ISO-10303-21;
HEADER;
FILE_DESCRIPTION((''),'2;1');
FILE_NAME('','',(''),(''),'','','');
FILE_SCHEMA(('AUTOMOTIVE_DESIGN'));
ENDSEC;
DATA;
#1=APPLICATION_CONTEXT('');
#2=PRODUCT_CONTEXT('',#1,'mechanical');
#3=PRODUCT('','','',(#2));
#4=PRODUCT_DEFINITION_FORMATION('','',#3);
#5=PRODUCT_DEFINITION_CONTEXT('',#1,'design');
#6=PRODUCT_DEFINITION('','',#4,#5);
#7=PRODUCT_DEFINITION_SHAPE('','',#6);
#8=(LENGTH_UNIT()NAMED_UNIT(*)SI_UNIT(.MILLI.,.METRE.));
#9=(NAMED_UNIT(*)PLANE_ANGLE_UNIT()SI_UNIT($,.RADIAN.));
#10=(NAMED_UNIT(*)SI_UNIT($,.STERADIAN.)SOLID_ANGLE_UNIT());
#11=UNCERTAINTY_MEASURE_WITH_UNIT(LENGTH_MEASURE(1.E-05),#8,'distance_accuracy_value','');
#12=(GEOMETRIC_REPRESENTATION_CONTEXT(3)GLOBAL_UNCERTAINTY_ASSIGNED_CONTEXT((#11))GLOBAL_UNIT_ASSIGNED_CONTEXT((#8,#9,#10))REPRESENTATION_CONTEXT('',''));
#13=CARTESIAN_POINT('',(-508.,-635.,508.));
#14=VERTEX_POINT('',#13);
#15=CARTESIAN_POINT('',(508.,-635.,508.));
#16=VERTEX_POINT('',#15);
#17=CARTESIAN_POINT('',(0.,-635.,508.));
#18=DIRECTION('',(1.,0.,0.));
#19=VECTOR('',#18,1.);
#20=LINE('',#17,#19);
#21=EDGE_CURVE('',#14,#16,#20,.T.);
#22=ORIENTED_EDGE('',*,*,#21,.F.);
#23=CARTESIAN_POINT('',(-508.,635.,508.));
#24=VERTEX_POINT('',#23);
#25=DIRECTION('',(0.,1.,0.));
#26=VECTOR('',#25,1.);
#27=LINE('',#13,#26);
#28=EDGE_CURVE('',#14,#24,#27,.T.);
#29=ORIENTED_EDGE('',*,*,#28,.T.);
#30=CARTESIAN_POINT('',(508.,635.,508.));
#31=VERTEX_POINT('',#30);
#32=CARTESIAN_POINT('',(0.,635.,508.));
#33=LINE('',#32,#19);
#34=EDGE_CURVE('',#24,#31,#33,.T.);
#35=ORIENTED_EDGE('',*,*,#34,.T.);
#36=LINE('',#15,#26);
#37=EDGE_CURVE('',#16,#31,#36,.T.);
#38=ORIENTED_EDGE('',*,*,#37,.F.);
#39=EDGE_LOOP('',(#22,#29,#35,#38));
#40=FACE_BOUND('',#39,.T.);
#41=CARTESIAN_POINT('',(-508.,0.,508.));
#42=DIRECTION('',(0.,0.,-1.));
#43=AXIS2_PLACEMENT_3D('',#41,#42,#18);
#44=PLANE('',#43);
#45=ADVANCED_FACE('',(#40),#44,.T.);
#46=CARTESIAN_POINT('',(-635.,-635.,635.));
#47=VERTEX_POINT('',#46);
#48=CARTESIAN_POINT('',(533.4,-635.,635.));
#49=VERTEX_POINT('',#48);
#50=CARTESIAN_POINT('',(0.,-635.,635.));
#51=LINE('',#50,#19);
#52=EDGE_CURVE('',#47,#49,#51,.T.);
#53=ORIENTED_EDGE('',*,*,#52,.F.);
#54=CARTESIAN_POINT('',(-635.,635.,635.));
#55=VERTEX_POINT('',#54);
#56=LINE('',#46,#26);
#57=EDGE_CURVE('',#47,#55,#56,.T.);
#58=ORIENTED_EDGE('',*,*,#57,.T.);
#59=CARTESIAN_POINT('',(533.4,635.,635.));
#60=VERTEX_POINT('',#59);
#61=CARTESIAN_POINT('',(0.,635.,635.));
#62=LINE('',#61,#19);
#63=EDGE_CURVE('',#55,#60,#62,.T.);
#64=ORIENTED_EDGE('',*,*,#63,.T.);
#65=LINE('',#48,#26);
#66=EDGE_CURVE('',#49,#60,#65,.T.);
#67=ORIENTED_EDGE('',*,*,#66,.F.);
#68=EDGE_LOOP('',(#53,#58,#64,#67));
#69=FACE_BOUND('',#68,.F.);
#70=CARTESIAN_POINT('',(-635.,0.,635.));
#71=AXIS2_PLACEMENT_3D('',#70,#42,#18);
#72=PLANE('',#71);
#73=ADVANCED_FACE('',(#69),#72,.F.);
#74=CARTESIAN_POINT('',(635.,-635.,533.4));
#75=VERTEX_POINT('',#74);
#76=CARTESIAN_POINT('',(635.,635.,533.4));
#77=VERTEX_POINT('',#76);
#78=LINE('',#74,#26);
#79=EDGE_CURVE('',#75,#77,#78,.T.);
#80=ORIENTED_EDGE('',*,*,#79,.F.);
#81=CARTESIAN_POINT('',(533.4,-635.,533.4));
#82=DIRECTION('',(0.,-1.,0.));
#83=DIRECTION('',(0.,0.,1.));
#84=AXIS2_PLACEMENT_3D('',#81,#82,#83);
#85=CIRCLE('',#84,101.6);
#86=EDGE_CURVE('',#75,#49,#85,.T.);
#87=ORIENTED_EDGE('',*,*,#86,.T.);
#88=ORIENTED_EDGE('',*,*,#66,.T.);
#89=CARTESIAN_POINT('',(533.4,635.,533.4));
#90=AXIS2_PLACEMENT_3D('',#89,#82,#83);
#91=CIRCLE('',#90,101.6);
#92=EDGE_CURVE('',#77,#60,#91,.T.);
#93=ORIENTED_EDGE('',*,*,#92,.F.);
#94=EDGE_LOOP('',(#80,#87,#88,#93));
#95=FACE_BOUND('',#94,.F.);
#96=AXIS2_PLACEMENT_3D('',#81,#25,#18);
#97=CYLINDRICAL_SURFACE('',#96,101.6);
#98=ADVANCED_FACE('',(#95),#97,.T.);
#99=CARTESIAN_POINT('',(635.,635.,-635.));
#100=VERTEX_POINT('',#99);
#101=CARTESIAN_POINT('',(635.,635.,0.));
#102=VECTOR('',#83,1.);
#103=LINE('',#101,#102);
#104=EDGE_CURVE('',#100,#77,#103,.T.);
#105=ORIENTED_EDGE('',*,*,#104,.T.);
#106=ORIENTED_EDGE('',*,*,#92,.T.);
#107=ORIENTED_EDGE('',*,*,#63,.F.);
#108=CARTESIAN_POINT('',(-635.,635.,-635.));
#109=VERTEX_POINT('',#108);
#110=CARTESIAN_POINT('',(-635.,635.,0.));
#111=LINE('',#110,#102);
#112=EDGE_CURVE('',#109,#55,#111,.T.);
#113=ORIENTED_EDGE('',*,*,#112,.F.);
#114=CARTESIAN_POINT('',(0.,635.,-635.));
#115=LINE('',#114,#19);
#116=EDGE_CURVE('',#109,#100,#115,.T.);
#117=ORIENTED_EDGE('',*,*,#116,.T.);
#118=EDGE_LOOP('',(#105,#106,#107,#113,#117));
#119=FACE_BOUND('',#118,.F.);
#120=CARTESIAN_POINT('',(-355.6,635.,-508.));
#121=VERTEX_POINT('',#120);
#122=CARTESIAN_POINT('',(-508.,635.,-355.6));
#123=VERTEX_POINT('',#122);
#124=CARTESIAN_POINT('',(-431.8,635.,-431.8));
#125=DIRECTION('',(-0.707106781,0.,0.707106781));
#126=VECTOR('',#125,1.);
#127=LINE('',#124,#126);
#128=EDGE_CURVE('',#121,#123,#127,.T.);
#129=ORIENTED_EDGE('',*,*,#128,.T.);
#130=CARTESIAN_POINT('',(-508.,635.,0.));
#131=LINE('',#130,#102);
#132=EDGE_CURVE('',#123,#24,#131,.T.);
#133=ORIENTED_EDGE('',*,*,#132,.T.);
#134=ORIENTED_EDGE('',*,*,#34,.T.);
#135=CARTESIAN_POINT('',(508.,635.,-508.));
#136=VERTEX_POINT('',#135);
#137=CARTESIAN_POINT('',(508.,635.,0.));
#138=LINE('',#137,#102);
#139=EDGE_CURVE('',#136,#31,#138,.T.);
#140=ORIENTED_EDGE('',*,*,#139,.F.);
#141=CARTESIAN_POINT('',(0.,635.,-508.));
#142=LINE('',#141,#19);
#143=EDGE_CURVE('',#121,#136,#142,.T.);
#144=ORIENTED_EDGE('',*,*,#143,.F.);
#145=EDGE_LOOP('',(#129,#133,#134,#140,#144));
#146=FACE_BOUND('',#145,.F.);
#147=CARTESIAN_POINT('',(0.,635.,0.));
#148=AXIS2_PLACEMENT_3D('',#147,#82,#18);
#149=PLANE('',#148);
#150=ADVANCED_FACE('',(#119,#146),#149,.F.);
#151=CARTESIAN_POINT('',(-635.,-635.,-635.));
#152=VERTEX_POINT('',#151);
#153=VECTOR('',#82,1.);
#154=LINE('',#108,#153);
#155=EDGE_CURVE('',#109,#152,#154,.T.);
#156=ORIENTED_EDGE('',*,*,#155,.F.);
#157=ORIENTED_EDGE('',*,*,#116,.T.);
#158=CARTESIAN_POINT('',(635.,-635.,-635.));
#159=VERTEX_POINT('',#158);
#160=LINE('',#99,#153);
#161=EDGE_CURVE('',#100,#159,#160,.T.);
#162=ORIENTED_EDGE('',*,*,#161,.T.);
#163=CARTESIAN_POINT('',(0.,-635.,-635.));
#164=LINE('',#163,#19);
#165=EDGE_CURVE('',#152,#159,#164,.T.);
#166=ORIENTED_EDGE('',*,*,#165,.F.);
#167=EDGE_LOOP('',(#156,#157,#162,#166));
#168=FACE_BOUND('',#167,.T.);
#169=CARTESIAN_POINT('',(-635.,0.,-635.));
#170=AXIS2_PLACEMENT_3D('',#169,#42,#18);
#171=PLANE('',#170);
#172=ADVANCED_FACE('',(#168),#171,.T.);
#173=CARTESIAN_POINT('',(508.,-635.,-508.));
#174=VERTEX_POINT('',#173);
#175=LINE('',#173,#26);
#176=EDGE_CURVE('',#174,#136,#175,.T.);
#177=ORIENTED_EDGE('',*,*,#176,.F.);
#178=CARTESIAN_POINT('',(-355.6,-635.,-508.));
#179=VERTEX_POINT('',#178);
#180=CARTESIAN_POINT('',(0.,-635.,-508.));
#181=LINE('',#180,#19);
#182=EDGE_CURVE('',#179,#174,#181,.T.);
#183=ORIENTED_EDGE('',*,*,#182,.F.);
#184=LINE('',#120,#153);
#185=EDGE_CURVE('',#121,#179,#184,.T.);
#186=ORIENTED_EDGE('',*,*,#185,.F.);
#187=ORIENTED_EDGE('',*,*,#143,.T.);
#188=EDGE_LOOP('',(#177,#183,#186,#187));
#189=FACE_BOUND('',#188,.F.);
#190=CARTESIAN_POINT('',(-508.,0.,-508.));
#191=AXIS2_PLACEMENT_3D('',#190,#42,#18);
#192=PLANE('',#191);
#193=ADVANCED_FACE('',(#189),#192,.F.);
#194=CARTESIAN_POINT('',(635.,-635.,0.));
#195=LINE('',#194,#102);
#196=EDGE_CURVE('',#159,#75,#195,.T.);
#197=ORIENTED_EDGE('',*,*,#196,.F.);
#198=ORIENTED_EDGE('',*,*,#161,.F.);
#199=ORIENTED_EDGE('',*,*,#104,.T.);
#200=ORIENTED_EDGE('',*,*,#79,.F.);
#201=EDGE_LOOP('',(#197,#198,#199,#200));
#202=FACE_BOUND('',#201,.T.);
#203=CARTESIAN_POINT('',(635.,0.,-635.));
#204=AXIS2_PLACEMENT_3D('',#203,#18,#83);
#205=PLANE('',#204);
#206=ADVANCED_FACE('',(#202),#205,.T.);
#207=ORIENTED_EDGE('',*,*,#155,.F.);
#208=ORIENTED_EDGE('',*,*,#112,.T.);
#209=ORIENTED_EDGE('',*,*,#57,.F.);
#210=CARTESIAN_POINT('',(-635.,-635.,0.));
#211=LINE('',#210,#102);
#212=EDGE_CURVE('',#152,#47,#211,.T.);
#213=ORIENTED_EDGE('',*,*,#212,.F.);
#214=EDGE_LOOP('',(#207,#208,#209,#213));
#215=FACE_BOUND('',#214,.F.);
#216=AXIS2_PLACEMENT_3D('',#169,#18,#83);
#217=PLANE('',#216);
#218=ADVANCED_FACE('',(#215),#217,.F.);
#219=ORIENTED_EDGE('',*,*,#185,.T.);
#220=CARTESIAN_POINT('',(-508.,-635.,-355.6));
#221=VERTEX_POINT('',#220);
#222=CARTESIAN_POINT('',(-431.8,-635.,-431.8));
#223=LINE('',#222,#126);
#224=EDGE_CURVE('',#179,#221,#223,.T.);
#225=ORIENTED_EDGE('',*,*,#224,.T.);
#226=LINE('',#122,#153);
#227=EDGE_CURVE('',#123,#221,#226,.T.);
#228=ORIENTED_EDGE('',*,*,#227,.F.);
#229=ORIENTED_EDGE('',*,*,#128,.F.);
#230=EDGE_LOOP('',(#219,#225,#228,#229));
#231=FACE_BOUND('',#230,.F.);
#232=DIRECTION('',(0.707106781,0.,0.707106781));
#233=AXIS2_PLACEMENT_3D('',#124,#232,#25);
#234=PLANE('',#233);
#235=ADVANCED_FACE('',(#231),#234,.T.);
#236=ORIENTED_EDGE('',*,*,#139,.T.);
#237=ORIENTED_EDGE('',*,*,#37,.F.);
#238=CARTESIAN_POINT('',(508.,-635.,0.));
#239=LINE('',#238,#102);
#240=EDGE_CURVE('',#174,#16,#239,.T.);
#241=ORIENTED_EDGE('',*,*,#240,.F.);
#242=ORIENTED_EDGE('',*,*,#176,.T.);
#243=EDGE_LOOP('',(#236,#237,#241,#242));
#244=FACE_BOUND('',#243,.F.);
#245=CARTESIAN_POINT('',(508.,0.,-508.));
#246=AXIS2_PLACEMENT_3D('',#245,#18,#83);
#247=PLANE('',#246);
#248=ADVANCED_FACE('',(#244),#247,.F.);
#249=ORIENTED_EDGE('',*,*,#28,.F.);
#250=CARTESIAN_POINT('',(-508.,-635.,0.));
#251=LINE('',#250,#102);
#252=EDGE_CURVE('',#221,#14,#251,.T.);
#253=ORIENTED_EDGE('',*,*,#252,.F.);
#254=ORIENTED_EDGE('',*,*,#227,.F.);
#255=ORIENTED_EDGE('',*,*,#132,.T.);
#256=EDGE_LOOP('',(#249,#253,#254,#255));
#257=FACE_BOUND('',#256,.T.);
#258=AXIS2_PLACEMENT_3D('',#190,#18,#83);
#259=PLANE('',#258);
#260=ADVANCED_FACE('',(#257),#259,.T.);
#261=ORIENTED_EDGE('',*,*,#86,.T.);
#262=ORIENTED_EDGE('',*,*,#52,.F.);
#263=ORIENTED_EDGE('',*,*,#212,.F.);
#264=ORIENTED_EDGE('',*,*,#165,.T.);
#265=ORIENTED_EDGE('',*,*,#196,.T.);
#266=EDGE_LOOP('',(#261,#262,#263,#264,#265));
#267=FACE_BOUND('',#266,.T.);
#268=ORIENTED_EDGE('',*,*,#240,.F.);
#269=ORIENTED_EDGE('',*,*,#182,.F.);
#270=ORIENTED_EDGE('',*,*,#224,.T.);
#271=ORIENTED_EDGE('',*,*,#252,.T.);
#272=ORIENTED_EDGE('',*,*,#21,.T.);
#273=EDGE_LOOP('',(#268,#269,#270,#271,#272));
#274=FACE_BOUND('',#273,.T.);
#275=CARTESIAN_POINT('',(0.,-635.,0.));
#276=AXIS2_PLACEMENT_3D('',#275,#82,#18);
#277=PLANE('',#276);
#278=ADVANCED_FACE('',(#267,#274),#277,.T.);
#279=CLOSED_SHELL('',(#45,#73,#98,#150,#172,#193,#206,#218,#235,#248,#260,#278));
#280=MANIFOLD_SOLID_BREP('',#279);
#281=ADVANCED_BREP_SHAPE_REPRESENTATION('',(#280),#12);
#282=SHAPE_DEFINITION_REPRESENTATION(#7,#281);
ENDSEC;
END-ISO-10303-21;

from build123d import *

# Parameters (mm, degrees)
F0_W     = 1270
F0_H     = 1270
F0_W_2   = 1016
F0_H_2   = 1016
F1_DEPTH = 635
F2_R     = 101.6
F3_SIZE  = 152.4


with BuildPart() as f1:
    # F0 (on Front) → F1 (new body, symmetric)
    with BuildSketch(Plane.XZ):
        Rectangle(F0_W, F0_H)
        Rectangle(F0_W_2, F0_H_2, mode=Mode.SUBTRACT)
    extrude(amount=F1_DEPTH, both=True)

    # F2
    f2_edges = [f1.edges().sort_by_distance(p)[0] for p in [
        (635, 0, 635),
    ]]
    fillet(f2_edges, radius=F2_R)

    # F3
    f3_edges = [f1.edges().sort_by_distance(p)[0] for p in [
        (-508, 0, -508),
    ]]
    chamfer(f3_edges, length=F3_SIZE)


solid = f1.part
